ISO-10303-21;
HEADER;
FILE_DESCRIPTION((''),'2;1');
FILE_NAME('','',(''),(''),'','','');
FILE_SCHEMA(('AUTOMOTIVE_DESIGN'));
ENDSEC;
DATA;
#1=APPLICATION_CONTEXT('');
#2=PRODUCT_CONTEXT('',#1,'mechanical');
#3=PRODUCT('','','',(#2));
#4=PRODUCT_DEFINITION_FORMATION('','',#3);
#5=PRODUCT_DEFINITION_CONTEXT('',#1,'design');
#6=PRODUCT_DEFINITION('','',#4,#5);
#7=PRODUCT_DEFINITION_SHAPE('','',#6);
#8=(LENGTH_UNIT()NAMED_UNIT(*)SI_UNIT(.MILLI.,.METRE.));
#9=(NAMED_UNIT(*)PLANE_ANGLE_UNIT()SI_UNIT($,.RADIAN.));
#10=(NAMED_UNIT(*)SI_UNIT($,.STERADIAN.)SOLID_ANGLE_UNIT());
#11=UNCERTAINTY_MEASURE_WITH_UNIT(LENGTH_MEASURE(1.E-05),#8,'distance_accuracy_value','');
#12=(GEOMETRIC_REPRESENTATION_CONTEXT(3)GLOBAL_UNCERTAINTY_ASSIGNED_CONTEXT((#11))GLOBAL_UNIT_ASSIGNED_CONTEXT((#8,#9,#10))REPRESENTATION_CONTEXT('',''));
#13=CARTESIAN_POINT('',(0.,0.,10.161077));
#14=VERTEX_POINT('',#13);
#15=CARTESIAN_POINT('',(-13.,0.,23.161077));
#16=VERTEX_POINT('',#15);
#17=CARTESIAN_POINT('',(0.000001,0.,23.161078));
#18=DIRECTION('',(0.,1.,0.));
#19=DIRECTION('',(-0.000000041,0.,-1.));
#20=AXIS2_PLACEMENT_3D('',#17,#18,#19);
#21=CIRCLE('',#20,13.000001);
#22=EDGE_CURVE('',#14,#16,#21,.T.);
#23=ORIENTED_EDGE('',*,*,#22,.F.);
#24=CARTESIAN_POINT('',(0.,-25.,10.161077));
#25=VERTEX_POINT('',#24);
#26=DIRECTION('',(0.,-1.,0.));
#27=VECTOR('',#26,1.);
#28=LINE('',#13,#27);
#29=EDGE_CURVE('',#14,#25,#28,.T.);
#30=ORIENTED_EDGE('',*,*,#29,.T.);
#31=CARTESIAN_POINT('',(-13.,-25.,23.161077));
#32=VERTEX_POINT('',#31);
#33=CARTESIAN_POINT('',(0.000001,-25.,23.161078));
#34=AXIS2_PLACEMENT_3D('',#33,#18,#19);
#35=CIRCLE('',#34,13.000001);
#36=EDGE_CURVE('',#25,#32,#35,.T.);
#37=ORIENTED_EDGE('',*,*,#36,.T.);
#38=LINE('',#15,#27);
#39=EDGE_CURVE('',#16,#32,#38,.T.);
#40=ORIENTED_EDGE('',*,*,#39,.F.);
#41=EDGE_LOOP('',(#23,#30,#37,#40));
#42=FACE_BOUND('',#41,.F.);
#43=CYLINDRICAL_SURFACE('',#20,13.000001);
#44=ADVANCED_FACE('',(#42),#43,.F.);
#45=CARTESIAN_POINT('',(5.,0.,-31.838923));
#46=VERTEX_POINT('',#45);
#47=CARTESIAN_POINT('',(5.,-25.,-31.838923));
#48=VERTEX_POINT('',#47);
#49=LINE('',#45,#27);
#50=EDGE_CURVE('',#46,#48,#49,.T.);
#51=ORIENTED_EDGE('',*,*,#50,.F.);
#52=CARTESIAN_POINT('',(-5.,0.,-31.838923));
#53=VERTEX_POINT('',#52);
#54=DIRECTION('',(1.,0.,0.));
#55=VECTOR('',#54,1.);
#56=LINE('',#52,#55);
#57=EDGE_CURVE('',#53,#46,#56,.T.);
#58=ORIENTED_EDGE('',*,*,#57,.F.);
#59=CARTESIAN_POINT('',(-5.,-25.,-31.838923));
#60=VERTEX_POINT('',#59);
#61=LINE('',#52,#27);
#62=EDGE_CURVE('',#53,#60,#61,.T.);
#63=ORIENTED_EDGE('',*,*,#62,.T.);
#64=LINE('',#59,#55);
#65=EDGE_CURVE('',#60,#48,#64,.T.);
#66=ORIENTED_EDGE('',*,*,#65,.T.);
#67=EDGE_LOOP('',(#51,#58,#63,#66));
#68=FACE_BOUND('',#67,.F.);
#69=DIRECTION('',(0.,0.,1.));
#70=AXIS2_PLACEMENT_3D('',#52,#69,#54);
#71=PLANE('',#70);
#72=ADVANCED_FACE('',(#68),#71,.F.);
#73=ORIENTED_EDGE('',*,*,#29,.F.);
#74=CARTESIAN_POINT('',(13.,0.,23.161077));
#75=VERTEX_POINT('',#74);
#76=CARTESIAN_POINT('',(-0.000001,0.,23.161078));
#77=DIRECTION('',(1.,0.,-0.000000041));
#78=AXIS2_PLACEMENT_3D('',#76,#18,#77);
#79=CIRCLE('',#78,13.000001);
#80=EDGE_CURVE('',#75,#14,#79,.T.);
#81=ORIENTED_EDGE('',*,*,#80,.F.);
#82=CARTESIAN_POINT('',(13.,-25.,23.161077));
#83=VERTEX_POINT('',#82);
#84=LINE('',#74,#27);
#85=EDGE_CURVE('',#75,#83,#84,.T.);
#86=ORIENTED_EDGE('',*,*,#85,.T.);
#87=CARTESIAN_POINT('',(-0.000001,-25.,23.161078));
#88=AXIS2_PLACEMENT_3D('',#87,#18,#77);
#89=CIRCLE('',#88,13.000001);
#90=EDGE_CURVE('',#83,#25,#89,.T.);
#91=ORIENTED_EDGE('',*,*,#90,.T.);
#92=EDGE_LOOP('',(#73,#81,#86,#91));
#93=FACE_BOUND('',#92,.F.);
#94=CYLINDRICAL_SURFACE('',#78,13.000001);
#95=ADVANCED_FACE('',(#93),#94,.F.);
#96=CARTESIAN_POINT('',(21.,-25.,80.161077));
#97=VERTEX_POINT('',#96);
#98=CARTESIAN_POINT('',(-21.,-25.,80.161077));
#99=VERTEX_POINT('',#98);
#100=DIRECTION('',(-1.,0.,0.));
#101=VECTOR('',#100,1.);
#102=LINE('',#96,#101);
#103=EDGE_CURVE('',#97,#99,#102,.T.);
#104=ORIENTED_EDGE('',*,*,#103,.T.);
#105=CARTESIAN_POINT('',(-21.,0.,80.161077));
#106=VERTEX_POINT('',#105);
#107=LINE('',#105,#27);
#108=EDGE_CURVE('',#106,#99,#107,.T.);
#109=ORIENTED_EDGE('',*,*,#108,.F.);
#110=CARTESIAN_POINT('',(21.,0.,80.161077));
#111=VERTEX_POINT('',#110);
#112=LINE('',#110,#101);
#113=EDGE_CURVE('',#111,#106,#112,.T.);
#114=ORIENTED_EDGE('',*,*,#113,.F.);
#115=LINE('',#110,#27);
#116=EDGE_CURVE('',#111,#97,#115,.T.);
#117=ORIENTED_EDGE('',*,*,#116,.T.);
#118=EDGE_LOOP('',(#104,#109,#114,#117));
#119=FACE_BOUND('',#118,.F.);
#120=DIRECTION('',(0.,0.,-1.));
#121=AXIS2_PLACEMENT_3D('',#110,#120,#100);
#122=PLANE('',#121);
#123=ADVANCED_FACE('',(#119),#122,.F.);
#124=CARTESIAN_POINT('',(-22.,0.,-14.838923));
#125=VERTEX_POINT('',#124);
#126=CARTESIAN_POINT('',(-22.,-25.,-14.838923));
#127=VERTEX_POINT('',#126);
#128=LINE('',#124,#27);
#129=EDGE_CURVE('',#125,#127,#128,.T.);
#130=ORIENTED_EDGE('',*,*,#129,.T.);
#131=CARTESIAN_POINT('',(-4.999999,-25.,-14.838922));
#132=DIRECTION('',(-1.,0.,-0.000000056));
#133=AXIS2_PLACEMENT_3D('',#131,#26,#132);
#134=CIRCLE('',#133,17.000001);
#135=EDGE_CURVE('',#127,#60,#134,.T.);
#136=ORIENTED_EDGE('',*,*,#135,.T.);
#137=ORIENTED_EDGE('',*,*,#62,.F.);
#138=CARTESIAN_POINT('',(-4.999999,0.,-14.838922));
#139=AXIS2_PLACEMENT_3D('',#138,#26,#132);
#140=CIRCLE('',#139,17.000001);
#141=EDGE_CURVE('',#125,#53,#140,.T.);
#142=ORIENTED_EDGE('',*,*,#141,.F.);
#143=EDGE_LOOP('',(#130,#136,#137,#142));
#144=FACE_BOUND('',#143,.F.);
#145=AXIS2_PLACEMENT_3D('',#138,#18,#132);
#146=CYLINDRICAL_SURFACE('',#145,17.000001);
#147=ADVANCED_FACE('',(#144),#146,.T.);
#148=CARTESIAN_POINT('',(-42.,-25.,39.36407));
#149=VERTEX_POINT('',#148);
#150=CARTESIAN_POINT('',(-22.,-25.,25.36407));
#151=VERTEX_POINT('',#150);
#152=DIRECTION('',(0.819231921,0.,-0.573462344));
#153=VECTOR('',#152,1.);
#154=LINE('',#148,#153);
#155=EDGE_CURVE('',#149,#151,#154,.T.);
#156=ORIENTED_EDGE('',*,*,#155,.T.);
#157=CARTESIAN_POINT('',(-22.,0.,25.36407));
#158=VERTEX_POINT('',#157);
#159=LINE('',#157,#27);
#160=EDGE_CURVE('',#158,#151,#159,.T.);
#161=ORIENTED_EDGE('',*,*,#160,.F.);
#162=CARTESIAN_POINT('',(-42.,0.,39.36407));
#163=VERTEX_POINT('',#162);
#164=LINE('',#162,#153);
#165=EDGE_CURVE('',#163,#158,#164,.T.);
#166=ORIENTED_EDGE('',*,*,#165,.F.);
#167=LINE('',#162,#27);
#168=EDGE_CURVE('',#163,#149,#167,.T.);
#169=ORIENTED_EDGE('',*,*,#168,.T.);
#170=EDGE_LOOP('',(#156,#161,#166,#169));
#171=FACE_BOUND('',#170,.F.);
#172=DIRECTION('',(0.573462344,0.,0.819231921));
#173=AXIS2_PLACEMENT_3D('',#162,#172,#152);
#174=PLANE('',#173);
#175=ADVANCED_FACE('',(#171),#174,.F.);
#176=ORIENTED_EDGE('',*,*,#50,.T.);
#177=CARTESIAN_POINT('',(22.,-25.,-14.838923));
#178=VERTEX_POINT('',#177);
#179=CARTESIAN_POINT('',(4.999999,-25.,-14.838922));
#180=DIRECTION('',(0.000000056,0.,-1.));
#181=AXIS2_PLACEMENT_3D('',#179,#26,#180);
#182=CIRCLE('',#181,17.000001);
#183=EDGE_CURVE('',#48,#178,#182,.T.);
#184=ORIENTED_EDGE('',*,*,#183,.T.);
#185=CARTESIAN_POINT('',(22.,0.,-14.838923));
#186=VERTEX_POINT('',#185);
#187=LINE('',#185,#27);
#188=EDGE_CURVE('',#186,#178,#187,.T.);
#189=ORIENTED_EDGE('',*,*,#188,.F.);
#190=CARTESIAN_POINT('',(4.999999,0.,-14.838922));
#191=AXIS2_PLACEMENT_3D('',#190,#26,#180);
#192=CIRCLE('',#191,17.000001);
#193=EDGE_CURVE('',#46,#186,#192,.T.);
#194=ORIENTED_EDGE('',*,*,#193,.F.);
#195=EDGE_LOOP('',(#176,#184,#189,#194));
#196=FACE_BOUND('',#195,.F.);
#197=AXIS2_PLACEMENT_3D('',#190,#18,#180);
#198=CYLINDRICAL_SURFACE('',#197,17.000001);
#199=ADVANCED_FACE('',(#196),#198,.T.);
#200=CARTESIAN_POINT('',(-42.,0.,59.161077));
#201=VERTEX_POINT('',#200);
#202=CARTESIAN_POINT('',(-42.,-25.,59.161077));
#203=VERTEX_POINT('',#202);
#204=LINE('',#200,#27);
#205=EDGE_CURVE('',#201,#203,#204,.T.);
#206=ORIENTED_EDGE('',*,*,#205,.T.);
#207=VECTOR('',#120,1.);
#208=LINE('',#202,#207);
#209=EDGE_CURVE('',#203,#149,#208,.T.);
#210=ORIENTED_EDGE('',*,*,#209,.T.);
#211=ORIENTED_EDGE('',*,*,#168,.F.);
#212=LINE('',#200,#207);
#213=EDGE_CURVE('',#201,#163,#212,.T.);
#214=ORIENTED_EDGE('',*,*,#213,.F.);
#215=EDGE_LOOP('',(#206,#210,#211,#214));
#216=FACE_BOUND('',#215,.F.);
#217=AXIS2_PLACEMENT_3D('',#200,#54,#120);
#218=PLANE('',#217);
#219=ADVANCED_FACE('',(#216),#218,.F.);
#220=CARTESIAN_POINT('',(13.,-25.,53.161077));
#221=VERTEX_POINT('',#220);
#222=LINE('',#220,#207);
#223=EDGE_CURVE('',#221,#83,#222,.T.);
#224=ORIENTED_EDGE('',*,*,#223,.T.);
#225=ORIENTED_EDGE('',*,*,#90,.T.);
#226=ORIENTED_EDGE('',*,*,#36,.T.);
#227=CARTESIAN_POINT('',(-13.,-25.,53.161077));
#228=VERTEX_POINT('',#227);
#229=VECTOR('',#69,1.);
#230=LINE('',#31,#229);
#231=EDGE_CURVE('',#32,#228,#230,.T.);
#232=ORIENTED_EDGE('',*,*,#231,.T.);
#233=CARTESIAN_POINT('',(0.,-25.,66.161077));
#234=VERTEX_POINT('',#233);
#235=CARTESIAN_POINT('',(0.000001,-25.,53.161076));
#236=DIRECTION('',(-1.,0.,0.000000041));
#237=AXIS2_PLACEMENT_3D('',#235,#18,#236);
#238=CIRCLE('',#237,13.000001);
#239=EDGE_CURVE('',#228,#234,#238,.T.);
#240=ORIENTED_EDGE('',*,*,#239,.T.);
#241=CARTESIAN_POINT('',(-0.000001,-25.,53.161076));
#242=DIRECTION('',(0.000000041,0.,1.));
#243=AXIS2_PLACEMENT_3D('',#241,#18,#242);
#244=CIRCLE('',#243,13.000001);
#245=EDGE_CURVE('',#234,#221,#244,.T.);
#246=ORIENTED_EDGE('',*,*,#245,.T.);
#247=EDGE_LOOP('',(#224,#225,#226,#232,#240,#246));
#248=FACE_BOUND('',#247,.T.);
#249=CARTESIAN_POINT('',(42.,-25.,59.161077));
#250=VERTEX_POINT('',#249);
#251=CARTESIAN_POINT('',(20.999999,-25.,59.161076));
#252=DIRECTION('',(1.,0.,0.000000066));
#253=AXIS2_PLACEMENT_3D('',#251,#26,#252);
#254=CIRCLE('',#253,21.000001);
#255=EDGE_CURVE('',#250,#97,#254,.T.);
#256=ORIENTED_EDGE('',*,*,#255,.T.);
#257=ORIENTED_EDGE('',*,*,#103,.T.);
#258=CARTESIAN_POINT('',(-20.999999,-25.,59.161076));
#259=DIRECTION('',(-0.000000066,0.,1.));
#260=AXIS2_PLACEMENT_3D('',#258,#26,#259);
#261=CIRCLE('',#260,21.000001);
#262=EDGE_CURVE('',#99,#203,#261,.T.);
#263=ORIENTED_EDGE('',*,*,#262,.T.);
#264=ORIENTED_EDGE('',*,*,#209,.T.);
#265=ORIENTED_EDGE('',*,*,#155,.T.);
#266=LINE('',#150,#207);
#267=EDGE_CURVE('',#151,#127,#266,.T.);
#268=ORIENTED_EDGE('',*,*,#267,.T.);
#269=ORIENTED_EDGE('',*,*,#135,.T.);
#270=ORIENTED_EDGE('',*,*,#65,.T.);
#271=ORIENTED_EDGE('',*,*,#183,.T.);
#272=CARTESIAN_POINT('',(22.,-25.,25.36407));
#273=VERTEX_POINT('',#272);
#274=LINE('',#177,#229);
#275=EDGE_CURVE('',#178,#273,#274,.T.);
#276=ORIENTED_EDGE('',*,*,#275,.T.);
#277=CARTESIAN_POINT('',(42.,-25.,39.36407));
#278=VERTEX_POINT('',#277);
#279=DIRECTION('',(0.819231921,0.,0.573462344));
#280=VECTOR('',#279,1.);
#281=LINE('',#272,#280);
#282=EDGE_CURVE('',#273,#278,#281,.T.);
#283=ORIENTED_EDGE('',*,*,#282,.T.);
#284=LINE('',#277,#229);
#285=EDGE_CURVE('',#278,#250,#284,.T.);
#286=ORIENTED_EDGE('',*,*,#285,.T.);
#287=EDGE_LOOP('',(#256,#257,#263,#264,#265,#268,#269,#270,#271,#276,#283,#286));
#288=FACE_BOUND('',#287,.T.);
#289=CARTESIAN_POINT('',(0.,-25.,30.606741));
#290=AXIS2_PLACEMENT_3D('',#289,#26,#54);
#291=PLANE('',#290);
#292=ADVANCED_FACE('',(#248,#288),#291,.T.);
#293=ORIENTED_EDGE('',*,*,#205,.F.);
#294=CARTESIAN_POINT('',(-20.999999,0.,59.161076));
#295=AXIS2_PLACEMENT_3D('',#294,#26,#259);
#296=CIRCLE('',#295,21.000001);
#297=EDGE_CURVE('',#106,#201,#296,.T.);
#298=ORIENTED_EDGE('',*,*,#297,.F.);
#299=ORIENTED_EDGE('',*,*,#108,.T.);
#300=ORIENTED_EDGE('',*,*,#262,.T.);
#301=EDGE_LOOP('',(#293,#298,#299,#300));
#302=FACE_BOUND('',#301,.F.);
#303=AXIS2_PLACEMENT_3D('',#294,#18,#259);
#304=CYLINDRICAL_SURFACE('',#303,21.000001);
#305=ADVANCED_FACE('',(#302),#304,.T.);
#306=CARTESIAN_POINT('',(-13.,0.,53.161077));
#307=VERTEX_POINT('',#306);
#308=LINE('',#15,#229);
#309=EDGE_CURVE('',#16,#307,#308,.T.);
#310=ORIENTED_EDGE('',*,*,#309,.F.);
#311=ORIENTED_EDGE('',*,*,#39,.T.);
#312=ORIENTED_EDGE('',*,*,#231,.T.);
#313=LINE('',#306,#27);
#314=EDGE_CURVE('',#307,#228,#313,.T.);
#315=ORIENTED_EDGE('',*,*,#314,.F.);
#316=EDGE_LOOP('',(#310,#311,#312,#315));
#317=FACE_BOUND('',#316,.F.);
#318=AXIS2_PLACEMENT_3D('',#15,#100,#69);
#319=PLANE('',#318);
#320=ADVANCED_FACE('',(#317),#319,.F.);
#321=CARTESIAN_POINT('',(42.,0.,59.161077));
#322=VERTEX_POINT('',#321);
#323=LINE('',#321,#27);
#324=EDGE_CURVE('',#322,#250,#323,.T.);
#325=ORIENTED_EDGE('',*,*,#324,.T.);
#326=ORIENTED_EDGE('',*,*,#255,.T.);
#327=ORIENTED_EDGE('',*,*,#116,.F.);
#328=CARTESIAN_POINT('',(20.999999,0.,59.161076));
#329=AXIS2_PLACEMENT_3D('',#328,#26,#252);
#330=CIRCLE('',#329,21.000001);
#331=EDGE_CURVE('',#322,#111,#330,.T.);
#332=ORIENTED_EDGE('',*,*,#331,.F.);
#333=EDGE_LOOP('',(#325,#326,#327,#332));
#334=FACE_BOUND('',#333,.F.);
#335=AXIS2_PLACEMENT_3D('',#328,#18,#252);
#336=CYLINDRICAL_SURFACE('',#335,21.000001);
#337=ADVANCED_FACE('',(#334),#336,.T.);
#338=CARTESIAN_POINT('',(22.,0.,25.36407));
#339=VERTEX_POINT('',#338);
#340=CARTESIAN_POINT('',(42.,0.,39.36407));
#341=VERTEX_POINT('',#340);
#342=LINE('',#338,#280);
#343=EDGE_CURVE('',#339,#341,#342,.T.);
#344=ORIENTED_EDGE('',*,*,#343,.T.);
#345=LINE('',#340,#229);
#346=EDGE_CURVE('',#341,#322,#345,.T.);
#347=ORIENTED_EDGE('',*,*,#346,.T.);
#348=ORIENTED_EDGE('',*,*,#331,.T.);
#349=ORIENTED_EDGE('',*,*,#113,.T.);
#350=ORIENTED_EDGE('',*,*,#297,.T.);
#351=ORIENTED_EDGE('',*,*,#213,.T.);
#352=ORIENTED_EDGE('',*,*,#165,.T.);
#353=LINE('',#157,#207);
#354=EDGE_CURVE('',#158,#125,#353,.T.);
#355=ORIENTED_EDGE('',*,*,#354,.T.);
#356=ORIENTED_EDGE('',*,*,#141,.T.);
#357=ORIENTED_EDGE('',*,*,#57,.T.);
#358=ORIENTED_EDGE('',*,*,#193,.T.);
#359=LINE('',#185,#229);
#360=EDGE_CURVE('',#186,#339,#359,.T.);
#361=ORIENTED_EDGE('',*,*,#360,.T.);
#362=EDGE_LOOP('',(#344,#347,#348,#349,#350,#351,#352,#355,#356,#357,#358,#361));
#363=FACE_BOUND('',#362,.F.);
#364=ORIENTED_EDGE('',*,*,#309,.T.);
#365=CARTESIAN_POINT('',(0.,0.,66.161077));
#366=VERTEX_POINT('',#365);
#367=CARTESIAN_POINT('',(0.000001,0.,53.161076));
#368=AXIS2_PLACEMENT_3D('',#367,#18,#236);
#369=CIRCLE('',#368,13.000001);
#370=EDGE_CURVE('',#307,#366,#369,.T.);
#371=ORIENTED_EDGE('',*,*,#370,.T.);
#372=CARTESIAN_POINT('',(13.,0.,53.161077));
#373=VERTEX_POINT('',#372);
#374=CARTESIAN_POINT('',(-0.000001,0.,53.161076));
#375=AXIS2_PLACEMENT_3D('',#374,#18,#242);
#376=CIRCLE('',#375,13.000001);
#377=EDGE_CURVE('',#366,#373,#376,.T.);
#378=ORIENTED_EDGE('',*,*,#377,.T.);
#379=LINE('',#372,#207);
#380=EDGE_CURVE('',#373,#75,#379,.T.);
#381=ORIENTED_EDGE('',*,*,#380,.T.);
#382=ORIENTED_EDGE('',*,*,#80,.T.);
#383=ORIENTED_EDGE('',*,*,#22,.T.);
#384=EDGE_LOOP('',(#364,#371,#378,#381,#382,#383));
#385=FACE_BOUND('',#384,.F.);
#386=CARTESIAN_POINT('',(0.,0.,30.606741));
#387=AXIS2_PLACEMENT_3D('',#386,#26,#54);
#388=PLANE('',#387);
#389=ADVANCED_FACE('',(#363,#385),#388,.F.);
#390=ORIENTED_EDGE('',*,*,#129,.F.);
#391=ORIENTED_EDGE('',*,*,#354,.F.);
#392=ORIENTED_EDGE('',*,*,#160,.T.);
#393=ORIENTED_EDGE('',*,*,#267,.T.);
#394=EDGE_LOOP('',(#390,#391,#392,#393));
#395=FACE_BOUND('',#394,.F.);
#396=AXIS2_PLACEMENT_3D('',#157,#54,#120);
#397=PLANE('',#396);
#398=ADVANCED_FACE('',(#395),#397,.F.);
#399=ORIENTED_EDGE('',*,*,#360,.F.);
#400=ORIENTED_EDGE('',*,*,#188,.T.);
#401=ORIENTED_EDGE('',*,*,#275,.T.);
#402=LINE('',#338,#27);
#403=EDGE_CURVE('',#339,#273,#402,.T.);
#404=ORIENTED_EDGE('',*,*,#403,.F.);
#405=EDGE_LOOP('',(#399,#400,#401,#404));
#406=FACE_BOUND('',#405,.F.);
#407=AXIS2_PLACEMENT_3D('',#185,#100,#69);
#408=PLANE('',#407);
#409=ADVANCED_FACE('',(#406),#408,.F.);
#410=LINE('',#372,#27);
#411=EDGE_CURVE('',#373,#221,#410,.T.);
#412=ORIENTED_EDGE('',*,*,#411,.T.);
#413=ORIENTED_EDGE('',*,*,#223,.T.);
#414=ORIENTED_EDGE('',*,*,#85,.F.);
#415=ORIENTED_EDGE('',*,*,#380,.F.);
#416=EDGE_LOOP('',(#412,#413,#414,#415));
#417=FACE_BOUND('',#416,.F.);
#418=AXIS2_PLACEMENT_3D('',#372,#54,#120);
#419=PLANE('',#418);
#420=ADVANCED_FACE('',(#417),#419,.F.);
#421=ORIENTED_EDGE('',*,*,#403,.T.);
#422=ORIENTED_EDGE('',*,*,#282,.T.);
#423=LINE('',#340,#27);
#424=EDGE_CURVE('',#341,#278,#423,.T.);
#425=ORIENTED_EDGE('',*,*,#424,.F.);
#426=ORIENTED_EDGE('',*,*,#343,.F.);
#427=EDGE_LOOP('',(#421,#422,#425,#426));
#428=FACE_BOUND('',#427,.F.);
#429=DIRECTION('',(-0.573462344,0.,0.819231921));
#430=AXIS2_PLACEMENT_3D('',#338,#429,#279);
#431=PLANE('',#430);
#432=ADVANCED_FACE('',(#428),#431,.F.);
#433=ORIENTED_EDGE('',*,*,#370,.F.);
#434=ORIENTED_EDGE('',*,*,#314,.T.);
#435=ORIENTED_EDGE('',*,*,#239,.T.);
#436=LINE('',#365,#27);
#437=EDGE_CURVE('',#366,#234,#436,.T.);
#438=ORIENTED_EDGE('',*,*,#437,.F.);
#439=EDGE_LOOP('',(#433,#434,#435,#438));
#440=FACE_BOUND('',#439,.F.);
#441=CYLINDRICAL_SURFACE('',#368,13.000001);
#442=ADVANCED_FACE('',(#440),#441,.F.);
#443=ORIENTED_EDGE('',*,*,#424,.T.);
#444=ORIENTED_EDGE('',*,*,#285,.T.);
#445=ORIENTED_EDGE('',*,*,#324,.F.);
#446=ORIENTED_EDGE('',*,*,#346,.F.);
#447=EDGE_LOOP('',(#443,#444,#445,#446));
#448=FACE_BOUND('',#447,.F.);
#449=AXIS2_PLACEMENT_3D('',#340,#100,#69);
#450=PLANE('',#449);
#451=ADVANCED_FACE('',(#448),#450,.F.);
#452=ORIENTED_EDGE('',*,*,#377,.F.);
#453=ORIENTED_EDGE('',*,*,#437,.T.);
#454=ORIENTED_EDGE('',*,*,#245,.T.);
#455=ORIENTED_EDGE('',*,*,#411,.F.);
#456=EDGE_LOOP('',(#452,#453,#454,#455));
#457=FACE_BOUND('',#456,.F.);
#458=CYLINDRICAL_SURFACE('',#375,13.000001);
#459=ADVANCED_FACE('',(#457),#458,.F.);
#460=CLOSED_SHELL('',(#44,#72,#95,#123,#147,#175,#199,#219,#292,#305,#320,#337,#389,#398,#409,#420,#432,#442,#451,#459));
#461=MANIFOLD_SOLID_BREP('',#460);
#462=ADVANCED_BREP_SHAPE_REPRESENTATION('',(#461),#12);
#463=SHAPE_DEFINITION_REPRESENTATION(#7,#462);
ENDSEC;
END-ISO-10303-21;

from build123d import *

# Parameters (mm, degrees)
F1_DEPTH = 25


with BuildPart() as f1:
    # F0 (on Front) → F1 (new body)
    with BuildSketch(Plane.XZ):
        with BuildLine():
            Line((-22, 25.36407), (-22, -14.838923))
            ThreePointArc((-22, -14.838923), (-17.020815, -26.859738), (-5, -31.838923))
            Line((-5, -31.838923), (0, -31.838923))
            Line((0, -31.838923), (5, -31.838923))
            ThreePointArc((5, -31.838923), (17.020815, -26.859738), (22, -14.838923))
            Line((22, -14.838923), (22, 25.36407))
            Line((22, 25.36407), (42, 39.36407))
            Line((42, 39.36407), (42, 59.161077))
            ThreePointArc((42, 59.161077), (35.849242, 74.010319), (21, 80.161077))
            Line((21, 80.161077), (0, 80.161077))
            Line((0, 80.161077), (-21, 80.161077))
            ThreePointArc((-21, 80.161077), (-35.849242, 74.010319), (-42, 59.161077))
            Line((-42, 59.161077), (-42, 39.36407))
            Line((-42, 39.36407), (-22, 25.36407))
        make_face()
        with BuildLine():
            ThreePointArc((-13, 53.161077), (-9.192388, 62.353465), (0, 66.161077))
            ThreePointArc((0, 66.161077), (9.192388, 62.353465), (13, 53.161077))
            Line((13, 53.161077), (13, 23.161077))
            ThreePointArc((13, 23.161077), (9.192388, 13.968689), (0, 10.161077))
            ThreePointArc((0, 10.161077), (-9.192388, 13.968689), (-13, 23.161077))
            Line((-13, 23.161077), (-13, 53.161077))
        make_face(mode=Mode.SUBTRACT)
    extrude(amount=F1_DEPTH)


solid = f1.part
